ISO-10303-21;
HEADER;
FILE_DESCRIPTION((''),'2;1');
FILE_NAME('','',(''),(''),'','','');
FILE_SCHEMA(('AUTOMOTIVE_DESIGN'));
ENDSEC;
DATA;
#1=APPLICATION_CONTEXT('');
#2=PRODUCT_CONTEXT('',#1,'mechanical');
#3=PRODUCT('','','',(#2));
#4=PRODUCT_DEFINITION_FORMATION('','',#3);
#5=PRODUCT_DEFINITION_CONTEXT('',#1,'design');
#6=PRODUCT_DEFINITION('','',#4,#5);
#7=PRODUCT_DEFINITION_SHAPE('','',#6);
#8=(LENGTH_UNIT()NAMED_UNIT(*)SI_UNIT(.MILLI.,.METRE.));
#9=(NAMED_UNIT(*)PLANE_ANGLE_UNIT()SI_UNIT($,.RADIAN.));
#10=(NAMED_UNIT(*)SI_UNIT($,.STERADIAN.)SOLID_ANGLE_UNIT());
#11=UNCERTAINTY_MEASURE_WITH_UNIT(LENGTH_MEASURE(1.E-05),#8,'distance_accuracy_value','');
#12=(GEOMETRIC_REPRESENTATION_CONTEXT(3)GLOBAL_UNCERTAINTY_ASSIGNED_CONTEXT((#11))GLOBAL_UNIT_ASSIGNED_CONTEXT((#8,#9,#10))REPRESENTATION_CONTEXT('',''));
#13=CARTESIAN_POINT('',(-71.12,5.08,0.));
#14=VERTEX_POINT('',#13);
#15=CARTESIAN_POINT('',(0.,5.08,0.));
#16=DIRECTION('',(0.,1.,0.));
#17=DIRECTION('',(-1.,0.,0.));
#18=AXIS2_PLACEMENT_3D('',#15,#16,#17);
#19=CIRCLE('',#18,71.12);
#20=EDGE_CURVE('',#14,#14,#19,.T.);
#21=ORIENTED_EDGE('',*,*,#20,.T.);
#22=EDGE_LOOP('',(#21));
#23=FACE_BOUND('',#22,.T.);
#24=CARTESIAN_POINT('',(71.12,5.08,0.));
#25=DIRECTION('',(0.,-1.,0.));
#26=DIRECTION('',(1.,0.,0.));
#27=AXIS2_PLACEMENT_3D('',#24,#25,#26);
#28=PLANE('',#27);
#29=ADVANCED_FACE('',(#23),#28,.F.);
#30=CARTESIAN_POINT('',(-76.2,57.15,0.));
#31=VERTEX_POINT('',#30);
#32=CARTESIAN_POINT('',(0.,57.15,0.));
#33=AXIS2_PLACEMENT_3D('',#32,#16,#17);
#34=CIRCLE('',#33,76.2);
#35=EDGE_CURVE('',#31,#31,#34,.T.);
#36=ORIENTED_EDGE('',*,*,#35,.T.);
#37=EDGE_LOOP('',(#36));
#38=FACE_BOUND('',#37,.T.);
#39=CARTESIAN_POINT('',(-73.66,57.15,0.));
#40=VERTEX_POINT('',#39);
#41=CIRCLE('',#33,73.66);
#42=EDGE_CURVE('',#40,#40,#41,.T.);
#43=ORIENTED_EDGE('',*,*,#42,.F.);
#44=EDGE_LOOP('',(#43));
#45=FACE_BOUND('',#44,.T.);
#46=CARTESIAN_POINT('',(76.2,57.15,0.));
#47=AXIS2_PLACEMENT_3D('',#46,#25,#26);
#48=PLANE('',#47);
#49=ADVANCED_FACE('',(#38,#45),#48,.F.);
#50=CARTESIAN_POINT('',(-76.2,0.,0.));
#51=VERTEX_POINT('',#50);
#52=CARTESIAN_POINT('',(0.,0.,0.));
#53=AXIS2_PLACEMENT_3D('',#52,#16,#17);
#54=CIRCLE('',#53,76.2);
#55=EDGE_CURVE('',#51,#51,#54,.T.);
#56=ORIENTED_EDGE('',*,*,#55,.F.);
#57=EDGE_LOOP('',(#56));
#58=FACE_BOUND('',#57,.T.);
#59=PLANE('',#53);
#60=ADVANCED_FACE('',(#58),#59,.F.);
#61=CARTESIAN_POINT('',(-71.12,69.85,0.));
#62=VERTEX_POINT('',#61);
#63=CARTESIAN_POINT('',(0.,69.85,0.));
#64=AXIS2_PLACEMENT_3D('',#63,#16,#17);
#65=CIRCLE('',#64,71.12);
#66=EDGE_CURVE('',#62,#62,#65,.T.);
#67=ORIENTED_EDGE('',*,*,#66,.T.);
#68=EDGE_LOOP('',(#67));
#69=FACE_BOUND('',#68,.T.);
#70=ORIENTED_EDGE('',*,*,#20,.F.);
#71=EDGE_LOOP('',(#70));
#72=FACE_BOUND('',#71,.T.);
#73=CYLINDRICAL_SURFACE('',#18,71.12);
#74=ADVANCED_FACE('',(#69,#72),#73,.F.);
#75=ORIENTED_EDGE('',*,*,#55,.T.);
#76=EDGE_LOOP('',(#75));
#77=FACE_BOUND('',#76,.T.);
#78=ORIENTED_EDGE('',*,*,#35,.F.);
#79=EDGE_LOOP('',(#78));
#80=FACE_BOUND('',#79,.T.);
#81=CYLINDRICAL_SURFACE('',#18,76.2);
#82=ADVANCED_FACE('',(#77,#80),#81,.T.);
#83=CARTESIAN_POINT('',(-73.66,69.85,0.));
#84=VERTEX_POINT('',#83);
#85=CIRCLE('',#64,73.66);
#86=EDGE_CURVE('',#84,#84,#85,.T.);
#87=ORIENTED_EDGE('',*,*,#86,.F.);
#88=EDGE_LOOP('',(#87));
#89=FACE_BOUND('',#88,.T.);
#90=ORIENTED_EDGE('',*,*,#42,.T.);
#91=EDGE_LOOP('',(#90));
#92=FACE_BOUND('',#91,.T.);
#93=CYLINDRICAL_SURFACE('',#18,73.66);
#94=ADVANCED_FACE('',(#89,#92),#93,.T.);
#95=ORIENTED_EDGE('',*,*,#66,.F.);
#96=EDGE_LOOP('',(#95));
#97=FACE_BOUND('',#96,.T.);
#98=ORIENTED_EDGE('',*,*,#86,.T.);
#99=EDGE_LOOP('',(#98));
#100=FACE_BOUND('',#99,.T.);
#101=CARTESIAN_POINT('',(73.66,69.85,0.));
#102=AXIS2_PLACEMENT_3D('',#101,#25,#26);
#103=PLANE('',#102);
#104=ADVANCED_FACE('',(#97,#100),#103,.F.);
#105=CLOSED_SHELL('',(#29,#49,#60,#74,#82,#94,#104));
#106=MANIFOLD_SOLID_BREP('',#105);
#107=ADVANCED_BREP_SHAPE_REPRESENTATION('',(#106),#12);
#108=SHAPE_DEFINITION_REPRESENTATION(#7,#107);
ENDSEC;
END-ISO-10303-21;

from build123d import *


with BuildPart() as part:
    # Sketch1 → Revolve1 (revolve)
    with BuildSketch(Plane.XY, mode=Mode.PRIVATE) as revolve1_sk:
        Polygon((0, 0), (76.2, 0), (76.2, 57.15), (73.66, 57.15), (73.66, 69.85), (71.12, 69.85), (71.12, 5.08), (0, 5.08), align=None)
    revolve(revolve1_sk.sketch.rotate(Axis((0, 5.08, 0), (0, -1, 0)), 180), axis=Axis((0, 5.08, 0), (0, -1, 0)))


solid = part.part
